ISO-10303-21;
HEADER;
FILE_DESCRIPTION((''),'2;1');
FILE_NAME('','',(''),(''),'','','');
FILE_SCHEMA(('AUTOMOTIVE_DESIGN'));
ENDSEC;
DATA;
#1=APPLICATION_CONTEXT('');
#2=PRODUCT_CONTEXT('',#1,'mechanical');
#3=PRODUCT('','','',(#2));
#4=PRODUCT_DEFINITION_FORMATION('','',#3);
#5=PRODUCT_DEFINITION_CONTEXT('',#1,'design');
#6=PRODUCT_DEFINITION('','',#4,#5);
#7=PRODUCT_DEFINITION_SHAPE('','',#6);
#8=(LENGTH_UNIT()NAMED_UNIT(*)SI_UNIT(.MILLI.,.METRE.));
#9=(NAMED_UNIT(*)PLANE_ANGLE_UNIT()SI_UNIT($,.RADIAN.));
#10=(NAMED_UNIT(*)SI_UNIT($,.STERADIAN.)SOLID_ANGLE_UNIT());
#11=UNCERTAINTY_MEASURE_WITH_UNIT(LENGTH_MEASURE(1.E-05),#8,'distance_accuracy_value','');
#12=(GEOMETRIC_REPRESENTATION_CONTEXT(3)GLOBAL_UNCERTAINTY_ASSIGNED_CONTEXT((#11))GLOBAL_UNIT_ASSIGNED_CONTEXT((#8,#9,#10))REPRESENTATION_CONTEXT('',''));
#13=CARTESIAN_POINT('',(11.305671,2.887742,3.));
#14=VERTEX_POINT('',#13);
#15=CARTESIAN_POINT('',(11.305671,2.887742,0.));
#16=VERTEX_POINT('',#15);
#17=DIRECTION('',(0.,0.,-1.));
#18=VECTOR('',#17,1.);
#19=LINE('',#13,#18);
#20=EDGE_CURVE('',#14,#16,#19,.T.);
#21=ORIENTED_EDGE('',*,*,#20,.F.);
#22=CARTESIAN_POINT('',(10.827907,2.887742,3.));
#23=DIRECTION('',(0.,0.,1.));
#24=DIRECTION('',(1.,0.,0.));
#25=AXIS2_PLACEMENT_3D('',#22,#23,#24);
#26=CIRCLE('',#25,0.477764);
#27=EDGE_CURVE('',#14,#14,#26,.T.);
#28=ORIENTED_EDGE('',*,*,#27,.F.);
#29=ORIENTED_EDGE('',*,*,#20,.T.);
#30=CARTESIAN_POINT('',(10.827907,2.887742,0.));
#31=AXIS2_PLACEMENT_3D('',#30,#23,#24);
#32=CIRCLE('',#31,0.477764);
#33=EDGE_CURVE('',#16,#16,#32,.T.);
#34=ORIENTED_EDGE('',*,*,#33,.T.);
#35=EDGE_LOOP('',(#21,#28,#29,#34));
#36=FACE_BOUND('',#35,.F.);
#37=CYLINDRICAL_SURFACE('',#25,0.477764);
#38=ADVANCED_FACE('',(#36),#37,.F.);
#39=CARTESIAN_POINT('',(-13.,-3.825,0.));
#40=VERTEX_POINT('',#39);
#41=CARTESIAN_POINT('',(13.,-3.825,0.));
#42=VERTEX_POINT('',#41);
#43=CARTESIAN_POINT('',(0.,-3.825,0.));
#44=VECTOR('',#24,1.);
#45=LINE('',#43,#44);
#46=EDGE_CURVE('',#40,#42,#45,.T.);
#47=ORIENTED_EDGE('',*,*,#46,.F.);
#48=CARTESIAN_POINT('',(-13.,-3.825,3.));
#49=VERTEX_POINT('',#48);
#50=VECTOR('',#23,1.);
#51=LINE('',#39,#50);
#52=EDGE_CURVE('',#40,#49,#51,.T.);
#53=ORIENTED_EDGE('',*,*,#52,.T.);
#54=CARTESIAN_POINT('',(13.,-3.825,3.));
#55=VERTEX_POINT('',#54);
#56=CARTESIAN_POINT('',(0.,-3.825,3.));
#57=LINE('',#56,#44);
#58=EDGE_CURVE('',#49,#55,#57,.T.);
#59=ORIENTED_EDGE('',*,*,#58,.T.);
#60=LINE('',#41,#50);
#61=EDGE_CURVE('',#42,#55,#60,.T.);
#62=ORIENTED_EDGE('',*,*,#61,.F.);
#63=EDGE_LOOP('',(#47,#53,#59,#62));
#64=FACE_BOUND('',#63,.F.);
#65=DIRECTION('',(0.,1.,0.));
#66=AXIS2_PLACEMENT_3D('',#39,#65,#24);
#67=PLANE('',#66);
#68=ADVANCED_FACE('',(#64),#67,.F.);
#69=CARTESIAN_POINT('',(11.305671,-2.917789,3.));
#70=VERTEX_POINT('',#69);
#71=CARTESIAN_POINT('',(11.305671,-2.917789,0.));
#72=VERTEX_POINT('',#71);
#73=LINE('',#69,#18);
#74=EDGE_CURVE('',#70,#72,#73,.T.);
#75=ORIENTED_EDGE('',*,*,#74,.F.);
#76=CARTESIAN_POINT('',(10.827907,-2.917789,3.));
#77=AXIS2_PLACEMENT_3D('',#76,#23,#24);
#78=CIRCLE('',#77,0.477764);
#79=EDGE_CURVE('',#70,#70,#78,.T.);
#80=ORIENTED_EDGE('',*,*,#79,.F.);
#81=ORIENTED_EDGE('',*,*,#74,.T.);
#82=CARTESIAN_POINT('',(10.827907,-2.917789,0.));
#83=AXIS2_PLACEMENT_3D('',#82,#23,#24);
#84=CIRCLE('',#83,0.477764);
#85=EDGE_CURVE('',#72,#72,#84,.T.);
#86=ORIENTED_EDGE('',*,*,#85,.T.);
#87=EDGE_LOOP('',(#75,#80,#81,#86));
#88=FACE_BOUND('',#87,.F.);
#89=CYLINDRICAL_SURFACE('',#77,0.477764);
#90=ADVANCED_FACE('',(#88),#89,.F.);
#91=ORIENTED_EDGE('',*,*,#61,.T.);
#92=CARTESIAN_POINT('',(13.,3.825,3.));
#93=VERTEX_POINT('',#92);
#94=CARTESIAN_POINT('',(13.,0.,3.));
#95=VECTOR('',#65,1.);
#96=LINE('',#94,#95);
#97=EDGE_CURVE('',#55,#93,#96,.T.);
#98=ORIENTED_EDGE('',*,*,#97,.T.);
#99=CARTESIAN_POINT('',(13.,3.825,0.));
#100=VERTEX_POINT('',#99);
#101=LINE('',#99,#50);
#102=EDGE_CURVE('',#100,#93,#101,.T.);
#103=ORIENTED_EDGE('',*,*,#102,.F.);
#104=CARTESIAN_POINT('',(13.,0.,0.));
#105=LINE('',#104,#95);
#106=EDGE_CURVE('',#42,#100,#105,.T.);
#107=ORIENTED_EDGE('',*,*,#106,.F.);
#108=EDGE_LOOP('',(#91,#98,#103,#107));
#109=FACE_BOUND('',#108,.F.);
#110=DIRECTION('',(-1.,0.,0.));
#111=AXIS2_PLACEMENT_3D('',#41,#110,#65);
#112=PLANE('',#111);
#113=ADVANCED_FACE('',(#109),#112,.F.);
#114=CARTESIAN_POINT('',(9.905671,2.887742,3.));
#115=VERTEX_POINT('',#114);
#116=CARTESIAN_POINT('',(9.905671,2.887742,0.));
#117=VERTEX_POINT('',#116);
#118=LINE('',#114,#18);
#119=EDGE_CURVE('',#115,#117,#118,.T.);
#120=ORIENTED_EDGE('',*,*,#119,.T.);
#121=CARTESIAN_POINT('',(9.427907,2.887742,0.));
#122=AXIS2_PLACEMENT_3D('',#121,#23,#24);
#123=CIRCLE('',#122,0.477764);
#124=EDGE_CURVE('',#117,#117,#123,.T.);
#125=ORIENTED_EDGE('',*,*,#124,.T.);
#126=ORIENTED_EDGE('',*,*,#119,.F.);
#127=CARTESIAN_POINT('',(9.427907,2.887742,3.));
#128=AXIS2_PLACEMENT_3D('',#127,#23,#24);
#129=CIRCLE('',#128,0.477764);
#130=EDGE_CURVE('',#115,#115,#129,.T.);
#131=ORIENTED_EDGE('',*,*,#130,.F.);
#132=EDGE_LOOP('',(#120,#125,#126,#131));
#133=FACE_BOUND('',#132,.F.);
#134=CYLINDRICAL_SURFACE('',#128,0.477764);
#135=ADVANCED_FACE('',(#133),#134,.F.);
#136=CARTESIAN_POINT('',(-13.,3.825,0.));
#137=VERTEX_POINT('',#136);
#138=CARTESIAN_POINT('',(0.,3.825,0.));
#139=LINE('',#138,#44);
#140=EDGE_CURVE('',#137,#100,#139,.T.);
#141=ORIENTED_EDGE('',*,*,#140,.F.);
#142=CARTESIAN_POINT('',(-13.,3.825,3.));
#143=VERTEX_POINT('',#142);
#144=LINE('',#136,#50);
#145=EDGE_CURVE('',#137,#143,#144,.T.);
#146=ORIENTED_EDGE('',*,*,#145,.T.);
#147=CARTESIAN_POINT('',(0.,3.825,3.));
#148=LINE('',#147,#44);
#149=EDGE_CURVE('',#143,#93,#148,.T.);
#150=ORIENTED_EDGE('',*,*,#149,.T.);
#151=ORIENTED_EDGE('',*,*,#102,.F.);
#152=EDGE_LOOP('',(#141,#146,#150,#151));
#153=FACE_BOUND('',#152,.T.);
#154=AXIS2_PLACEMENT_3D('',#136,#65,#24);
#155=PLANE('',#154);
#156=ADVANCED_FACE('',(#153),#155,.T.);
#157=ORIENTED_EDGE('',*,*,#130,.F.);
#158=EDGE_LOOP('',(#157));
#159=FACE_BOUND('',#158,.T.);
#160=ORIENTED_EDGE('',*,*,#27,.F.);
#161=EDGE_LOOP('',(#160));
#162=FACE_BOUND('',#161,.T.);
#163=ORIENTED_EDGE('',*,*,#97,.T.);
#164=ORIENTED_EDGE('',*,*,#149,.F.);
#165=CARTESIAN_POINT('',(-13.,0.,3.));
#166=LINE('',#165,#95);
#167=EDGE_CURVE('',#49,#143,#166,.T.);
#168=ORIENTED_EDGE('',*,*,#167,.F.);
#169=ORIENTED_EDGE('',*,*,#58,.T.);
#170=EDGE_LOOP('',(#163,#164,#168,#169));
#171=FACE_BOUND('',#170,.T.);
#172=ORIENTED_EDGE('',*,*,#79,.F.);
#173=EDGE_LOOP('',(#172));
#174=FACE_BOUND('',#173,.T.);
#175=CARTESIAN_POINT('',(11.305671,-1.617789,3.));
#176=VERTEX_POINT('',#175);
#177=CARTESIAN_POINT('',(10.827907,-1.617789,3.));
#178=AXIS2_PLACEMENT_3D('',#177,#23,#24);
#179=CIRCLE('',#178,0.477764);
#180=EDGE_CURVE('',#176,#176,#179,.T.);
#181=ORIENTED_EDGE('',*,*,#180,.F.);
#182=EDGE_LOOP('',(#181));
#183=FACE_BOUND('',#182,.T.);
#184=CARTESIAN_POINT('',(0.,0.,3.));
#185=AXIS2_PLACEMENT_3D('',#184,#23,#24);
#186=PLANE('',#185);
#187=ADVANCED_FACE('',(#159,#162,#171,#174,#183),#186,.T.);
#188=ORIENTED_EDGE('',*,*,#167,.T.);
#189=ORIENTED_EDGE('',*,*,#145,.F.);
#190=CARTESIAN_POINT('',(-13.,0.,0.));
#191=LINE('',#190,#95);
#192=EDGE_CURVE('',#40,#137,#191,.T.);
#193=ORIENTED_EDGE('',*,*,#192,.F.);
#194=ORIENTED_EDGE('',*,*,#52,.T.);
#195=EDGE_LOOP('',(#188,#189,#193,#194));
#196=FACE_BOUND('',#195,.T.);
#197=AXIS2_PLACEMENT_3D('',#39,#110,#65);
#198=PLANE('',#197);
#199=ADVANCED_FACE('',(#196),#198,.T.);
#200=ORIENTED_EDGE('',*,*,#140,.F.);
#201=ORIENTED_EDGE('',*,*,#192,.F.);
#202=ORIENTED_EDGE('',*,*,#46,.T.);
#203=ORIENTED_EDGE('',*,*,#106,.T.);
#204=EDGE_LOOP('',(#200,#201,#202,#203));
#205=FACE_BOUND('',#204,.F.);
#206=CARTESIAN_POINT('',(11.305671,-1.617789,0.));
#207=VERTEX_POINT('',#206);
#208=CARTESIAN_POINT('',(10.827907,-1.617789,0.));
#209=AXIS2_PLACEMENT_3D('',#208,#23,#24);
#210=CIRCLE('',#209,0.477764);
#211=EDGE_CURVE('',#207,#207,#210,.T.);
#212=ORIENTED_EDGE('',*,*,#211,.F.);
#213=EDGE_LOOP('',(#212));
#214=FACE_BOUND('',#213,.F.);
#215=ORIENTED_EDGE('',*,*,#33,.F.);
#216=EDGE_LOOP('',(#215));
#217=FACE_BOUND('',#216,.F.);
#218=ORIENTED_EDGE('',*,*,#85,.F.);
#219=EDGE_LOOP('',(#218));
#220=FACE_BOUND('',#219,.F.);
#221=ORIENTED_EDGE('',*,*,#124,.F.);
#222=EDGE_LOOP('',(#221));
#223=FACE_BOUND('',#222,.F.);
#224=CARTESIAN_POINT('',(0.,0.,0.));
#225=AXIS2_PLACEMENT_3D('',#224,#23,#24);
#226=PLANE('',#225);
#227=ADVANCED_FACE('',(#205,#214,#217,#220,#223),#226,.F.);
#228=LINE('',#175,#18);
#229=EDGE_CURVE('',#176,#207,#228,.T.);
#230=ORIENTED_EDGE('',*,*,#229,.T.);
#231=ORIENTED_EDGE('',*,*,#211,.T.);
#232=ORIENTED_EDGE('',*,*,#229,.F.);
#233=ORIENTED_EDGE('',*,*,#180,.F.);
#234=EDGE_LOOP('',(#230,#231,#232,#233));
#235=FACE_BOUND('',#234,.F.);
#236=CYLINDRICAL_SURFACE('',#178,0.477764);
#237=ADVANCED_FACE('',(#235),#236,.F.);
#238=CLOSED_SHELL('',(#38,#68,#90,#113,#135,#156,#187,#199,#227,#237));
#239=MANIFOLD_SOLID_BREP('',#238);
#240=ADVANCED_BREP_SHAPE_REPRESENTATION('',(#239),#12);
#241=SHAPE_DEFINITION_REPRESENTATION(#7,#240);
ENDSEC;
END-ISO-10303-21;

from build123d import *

# Parameters (mm, degrees)
SKETCH1_W           = 26
SKETCH1_H           = 7.65
BOSS_EXTRUDE1_DEPTH = 3
SKETCH4_R           = 0.47776384
CUT_EXTRUDE1_DEPTH  = 3


with BuildPart() as part:
    # Sketch1 → Boss-Extrude1 (new body)
    with BuildSketch(Plane.XY):
        Rectangle(SKETCH1_W, SKETCH1_H)
    extrude(amount=BOSS_EXTRUDE1_DEPTH)

    # Sketch4 → Cut-Extrude1 (cut)
    with BuildSketch(Plane.XY.offset(3)):
        with Locations((9.427906714, 2.887741852)):
            Circle(SKETCH4_R)
        with Locations((10.827906714, 2.887741852)):
            Circle(SKETCH4_R)
        with Locations((10.827906714, -1.617788566)):
            Circle(SKETCH4_R)
        with Locations((10.827906714, -2.917788566)):
            Circle(SKETCH4_R)
    extrude(amount=-CUT_EXTRUDE1_DEPTH, mode=Mode.SUBTRACT)


solid = part.part
